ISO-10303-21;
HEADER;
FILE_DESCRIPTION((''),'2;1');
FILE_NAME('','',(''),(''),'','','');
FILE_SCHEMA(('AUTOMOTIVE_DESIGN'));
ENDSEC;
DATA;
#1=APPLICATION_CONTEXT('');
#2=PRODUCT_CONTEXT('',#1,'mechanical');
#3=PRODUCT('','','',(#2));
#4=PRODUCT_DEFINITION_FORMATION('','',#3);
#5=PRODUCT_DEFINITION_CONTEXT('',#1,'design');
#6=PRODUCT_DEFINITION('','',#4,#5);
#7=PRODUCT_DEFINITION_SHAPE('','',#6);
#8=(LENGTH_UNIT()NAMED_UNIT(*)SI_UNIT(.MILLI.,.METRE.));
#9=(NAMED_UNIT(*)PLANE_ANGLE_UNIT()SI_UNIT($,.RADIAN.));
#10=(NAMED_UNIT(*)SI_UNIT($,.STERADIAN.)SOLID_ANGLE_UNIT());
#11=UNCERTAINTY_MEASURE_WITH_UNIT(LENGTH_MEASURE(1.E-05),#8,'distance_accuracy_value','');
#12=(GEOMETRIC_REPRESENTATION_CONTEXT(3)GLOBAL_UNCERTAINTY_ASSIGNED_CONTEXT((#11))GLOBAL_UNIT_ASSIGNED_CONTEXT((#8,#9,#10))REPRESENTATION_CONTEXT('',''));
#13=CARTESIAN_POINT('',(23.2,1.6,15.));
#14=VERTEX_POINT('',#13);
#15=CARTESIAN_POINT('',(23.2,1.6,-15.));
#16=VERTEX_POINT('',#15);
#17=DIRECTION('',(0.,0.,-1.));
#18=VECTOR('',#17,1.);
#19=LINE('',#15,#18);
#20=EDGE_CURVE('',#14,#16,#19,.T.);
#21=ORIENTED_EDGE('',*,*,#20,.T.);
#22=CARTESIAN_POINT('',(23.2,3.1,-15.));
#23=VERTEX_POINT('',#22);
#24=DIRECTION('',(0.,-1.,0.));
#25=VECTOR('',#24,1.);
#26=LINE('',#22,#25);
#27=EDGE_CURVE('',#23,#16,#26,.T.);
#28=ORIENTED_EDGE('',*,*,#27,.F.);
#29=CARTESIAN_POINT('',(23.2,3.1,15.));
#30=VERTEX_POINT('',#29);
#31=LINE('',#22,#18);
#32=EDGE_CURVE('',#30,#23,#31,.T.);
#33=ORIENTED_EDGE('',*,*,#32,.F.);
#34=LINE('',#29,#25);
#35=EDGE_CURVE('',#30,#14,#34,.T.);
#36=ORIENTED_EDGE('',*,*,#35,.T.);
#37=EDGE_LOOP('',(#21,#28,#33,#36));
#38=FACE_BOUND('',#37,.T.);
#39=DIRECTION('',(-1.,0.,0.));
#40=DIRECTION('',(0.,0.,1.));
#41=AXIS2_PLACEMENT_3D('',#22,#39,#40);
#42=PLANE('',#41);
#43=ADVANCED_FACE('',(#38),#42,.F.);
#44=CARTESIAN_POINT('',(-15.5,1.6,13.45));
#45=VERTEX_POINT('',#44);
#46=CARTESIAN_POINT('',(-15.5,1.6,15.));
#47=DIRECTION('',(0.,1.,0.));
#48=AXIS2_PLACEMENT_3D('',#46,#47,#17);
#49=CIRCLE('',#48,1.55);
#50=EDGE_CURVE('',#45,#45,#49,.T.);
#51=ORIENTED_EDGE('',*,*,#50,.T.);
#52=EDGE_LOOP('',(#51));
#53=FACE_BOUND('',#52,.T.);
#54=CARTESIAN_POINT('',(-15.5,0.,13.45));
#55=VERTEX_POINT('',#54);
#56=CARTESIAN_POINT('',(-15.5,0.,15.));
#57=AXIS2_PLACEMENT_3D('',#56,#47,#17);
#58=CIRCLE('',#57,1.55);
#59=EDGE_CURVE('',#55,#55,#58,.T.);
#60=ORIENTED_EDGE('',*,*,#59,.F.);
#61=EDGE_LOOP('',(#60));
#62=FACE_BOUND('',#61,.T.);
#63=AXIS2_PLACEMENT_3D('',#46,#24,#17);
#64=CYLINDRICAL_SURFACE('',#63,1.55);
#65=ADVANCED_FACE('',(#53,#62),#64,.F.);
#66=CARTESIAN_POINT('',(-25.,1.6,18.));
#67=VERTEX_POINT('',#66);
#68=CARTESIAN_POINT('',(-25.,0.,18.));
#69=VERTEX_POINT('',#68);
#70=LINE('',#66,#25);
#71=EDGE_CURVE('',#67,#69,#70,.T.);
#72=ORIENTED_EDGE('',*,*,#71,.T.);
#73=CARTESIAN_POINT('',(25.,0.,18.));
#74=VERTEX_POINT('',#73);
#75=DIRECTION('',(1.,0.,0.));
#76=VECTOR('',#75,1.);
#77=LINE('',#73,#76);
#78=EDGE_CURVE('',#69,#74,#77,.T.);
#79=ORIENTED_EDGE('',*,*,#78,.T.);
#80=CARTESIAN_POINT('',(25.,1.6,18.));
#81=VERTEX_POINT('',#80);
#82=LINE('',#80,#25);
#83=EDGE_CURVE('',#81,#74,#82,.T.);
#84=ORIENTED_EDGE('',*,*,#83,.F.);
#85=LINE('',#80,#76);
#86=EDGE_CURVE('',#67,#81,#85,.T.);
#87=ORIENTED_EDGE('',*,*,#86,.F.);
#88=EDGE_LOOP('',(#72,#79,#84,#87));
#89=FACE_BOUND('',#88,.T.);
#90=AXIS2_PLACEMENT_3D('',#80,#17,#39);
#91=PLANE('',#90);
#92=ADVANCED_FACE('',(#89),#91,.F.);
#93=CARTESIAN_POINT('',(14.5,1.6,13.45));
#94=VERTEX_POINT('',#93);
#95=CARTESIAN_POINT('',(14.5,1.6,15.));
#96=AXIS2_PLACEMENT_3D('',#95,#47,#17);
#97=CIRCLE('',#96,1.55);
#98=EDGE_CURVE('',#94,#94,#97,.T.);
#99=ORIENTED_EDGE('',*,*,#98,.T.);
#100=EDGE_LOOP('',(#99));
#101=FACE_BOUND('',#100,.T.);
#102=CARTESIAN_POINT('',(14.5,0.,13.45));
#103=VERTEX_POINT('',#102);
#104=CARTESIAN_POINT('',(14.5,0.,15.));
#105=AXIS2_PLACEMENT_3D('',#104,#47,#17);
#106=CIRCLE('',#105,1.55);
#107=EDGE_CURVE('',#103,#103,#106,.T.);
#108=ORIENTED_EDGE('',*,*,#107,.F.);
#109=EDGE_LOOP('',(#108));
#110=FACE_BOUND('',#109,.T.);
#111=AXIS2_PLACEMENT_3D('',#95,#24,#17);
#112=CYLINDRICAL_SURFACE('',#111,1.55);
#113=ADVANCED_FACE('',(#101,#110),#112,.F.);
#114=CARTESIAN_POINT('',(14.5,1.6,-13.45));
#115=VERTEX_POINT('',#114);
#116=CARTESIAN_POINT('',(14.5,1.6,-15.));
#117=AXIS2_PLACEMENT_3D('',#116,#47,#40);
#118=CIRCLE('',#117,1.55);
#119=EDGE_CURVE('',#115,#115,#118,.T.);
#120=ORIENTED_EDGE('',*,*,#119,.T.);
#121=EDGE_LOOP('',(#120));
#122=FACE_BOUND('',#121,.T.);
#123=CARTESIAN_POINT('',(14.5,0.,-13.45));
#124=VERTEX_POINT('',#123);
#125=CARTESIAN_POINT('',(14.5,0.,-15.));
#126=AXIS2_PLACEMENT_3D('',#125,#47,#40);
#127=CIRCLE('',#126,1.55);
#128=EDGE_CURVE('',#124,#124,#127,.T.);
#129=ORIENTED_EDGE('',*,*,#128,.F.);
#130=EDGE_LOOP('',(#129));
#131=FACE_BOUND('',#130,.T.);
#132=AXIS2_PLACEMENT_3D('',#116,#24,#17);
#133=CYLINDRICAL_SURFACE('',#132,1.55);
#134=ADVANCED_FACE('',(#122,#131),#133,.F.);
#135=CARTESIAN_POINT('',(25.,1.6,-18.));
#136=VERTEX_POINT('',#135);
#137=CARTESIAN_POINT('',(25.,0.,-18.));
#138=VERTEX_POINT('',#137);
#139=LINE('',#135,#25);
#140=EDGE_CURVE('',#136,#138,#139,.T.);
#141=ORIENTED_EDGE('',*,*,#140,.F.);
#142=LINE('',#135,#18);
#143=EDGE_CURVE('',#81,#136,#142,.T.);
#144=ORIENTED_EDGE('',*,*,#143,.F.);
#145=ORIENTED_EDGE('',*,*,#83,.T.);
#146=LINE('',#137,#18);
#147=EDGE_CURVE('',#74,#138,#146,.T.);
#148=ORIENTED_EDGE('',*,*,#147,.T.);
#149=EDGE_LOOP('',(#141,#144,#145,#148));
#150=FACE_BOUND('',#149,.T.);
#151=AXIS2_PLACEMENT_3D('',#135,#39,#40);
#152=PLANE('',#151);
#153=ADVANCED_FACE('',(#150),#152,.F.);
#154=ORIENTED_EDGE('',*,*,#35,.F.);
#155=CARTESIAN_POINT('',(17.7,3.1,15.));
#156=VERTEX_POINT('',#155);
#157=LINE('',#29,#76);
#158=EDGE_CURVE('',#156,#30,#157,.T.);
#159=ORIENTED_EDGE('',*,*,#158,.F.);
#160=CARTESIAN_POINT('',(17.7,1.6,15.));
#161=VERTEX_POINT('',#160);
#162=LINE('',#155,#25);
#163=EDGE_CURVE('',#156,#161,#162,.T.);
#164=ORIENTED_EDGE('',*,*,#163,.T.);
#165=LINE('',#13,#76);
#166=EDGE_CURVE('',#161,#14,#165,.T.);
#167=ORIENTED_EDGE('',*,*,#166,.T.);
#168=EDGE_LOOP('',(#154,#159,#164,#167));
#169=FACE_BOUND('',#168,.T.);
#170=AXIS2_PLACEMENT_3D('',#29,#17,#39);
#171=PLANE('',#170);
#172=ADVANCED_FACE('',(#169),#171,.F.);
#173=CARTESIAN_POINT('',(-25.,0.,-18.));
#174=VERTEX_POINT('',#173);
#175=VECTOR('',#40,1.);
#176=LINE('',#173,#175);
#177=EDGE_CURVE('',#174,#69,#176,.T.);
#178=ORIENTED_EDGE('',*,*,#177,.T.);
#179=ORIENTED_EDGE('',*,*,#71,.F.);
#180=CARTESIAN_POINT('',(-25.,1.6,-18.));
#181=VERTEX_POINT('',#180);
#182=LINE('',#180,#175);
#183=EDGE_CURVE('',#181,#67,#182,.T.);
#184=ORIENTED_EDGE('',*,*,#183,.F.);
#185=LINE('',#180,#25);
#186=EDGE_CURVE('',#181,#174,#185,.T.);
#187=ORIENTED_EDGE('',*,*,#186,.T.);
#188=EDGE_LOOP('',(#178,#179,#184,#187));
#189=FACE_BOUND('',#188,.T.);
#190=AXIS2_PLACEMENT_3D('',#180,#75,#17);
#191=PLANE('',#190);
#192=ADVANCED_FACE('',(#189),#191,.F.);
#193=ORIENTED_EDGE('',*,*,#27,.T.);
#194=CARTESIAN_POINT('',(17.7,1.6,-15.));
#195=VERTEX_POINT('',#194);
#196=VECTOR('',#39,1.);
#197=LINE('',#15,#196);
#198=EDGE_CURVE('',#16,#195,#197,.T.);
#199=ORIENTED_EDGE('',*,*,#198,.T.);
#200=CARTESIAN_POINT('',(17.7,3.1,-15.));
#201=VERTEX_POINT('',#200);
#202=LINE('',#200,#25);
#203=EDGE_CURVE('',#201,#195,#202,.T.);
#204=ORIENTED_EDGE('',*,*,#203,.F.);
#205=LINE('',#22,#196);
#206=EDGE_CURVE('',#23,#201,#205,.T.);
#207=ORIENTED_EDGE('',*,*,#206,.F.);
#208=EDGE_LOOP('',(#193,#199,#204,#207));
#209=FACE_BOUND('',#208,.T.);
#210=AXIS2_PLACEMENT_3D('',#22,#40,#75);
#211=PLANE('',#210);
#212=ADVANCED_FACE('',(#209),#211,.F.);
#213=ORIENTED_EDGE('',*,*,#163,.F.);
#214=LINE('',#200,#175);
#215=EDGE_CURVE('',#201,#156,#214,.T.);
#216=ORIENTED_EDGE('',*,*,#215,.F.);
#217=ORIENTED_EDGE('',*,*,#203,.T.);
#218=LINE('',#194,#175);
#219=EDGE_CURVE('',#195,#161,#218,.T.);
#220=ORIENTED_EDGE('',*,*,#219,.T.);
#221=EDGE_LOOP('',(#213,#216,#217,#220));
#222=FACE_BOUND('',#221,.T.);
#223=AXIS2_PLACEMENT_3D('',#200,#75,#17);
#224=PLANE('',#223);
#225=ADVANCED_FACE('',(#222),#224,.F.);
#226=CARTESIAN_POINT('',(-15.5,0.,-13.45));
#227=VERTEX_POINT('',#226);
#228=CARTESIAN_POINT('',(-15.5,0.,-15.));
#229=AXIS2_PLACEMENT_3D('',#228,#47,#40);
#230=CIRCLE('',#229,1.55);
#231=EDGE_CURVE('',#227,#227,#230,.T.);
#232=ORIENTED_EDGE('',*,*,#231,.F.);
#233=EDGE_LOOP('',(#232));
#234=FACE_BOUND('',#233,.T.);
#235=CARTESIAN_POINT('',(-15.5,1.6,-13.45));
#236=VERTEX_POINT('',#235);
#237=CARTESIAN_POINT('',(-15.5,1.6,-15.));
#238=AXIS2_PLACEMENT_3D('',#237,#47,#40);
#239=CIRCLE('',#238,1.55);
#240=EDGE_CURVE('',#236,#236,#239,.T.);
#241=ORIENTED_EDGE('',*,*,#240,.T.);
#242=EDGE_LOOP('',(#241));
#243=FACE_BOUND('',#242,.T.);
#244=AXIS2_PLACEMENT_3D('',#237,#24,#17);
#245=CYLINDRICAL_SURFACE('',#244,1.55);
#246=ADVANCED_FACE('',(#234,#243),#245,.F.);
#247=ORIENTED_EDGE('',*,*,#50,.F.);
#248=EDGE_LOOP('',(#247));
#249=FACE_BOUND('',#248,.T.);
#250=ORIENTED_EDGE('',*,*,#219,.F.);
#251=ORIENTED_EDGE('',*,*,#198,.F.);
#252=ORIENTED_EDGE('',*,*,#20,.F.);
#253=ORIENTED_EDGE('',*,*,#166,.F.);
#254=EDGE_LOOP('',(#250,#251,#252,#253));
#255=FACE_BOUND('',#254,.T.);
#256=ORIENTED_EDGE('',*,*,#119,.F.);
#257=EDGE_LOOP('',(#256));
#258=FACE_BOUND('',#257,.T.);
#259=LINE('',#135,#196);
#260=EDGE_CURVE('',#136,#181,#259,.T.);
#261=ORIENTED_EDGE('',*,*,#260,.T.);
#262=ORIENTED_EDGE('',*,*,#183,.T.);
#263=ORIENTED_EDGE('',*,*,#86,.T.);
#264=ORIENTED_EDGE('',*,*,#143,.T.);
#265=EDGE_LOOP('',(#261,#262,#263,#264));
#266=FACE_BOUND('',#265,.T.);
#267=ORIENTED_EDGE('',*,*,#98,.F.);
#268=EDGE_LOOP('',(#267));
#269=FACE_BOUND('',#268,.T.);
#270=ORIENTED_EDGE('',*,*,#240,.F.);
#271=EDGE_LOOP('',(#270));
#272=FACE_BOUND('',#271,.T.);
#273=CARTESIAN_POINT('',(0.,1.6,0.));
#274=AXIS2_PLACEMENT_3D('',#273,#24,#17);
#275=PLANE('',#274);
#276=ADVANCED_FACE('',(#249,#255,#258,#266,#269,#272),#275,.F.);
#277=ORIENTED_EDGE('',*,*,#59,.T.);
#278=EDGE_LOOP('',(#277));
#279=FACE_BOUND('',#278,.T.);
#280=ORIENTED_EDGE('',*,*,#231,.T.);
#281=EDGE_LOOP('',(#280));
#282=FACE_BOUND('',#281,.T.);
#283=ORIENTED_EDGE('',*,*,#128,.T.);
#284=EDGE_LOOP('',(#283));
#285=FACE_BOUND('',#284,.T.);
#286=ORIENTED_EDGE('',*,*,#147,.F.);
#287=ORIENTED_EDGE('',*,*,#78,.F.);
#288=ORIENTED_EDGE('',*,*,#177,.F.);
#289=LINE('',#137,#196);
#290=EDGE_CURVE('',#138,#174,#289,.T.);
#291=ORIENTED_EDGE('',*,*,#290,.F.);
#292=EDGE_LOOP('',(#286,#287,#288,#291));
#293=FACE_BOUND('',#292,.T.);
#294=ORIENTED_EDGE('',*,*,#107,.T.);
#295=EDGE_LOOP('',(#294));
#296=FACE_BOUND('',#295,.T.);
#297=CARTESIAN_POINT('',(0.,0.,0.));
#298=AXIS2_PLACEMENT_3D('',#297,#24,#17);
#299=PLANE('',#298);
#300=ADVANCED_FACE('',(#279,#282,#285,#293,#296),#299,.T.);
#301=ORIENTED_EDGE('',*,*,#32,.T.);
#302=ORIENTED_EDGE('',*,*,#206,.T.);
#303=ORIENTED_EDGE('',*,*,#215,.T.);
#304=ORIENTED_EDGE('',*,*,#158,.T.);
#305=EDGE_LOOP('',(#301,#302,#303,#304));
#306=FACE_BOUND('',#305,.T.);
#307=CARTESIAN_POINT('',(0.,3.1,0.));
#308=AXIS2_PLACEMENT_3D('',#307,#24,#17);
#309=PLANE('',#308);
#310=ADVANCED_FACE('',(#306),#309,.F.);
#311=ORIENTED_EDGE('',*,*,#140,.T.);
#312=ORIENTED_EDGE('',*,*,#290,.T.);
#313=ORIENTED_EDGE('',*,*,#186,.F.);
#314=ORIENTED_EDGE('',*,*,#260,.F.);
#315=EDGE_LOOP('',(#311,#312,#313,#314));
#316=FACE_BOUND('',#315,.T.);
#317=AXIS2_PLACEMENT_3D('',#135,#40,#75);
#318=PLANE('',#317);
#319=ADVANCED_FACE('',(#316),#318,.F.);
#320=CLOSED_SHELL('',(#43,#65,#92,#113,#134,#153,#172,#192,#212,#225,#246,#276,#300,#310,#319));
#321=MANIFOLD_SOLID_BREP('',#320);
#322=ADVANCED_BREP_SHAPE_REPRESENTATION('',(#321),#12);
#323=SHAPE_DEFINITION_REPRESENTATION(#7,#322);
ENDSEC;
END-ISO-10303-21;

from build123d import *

# Parameters (mm, degrees)
SKETCH1_W           = 50
SKETCH1_H           = 36
SKETCH1_R           = 1.55
BOSS_EXTRUDE1_DEPTH = 1.6
SKETCH2_W           = 5.5
SKETCH2_H           = 30
BOSS_EXTRUDE2_DEPTH = 1.5


with BuildPart() as part:
    # Sketch1 → Boss-Extrude1 (new body)
    with BuildSketch(Plane(origin=(0, 0, 0), x_dir=(1, 0, 0), z_dir=(0, 1, 0))):
        Rectangle(SKETCH1_W, SKETCH1_H)
        with Locations(Location((-15.5, 15, 0), (0, 0, 270))):
            Circle(SKETCH1_R, mode=Mode.SUBTRACT)
        with Locations(Location((-15.5, -15, 0), (0, 0, 90))):
            Circle(SKETCH1_R, mode=Mode.SUBTRACT)
        with Locations(Location((14.5, 15, 0), (0, 0, 270))):
            Circle(SKETCH1_R, mode=Mode.SUBTRACT)
        with Locations(Location((14.5, -15, 0), (0, 0, 90))):
            Circle(SKETCH1_R, mode=Mode.SUBTRACT)
    extrude(amount=BOSS_EXTRUDE1_DEPTH)

    # Sketch2 → Boss-Extrude2 (add)
    with BuildSketch(Plane(origin=(0, 1.6, 0), x_dir=(1, 0, 0), z_dir=(0, 1, 0))):
        with Locations((20.45, 0)):
            Rectangle(SKETCH2_W, SKETCH2_H)
    extrude(amount=BOSS_EXTRUDE2_DEPTH)


solid = part.part
